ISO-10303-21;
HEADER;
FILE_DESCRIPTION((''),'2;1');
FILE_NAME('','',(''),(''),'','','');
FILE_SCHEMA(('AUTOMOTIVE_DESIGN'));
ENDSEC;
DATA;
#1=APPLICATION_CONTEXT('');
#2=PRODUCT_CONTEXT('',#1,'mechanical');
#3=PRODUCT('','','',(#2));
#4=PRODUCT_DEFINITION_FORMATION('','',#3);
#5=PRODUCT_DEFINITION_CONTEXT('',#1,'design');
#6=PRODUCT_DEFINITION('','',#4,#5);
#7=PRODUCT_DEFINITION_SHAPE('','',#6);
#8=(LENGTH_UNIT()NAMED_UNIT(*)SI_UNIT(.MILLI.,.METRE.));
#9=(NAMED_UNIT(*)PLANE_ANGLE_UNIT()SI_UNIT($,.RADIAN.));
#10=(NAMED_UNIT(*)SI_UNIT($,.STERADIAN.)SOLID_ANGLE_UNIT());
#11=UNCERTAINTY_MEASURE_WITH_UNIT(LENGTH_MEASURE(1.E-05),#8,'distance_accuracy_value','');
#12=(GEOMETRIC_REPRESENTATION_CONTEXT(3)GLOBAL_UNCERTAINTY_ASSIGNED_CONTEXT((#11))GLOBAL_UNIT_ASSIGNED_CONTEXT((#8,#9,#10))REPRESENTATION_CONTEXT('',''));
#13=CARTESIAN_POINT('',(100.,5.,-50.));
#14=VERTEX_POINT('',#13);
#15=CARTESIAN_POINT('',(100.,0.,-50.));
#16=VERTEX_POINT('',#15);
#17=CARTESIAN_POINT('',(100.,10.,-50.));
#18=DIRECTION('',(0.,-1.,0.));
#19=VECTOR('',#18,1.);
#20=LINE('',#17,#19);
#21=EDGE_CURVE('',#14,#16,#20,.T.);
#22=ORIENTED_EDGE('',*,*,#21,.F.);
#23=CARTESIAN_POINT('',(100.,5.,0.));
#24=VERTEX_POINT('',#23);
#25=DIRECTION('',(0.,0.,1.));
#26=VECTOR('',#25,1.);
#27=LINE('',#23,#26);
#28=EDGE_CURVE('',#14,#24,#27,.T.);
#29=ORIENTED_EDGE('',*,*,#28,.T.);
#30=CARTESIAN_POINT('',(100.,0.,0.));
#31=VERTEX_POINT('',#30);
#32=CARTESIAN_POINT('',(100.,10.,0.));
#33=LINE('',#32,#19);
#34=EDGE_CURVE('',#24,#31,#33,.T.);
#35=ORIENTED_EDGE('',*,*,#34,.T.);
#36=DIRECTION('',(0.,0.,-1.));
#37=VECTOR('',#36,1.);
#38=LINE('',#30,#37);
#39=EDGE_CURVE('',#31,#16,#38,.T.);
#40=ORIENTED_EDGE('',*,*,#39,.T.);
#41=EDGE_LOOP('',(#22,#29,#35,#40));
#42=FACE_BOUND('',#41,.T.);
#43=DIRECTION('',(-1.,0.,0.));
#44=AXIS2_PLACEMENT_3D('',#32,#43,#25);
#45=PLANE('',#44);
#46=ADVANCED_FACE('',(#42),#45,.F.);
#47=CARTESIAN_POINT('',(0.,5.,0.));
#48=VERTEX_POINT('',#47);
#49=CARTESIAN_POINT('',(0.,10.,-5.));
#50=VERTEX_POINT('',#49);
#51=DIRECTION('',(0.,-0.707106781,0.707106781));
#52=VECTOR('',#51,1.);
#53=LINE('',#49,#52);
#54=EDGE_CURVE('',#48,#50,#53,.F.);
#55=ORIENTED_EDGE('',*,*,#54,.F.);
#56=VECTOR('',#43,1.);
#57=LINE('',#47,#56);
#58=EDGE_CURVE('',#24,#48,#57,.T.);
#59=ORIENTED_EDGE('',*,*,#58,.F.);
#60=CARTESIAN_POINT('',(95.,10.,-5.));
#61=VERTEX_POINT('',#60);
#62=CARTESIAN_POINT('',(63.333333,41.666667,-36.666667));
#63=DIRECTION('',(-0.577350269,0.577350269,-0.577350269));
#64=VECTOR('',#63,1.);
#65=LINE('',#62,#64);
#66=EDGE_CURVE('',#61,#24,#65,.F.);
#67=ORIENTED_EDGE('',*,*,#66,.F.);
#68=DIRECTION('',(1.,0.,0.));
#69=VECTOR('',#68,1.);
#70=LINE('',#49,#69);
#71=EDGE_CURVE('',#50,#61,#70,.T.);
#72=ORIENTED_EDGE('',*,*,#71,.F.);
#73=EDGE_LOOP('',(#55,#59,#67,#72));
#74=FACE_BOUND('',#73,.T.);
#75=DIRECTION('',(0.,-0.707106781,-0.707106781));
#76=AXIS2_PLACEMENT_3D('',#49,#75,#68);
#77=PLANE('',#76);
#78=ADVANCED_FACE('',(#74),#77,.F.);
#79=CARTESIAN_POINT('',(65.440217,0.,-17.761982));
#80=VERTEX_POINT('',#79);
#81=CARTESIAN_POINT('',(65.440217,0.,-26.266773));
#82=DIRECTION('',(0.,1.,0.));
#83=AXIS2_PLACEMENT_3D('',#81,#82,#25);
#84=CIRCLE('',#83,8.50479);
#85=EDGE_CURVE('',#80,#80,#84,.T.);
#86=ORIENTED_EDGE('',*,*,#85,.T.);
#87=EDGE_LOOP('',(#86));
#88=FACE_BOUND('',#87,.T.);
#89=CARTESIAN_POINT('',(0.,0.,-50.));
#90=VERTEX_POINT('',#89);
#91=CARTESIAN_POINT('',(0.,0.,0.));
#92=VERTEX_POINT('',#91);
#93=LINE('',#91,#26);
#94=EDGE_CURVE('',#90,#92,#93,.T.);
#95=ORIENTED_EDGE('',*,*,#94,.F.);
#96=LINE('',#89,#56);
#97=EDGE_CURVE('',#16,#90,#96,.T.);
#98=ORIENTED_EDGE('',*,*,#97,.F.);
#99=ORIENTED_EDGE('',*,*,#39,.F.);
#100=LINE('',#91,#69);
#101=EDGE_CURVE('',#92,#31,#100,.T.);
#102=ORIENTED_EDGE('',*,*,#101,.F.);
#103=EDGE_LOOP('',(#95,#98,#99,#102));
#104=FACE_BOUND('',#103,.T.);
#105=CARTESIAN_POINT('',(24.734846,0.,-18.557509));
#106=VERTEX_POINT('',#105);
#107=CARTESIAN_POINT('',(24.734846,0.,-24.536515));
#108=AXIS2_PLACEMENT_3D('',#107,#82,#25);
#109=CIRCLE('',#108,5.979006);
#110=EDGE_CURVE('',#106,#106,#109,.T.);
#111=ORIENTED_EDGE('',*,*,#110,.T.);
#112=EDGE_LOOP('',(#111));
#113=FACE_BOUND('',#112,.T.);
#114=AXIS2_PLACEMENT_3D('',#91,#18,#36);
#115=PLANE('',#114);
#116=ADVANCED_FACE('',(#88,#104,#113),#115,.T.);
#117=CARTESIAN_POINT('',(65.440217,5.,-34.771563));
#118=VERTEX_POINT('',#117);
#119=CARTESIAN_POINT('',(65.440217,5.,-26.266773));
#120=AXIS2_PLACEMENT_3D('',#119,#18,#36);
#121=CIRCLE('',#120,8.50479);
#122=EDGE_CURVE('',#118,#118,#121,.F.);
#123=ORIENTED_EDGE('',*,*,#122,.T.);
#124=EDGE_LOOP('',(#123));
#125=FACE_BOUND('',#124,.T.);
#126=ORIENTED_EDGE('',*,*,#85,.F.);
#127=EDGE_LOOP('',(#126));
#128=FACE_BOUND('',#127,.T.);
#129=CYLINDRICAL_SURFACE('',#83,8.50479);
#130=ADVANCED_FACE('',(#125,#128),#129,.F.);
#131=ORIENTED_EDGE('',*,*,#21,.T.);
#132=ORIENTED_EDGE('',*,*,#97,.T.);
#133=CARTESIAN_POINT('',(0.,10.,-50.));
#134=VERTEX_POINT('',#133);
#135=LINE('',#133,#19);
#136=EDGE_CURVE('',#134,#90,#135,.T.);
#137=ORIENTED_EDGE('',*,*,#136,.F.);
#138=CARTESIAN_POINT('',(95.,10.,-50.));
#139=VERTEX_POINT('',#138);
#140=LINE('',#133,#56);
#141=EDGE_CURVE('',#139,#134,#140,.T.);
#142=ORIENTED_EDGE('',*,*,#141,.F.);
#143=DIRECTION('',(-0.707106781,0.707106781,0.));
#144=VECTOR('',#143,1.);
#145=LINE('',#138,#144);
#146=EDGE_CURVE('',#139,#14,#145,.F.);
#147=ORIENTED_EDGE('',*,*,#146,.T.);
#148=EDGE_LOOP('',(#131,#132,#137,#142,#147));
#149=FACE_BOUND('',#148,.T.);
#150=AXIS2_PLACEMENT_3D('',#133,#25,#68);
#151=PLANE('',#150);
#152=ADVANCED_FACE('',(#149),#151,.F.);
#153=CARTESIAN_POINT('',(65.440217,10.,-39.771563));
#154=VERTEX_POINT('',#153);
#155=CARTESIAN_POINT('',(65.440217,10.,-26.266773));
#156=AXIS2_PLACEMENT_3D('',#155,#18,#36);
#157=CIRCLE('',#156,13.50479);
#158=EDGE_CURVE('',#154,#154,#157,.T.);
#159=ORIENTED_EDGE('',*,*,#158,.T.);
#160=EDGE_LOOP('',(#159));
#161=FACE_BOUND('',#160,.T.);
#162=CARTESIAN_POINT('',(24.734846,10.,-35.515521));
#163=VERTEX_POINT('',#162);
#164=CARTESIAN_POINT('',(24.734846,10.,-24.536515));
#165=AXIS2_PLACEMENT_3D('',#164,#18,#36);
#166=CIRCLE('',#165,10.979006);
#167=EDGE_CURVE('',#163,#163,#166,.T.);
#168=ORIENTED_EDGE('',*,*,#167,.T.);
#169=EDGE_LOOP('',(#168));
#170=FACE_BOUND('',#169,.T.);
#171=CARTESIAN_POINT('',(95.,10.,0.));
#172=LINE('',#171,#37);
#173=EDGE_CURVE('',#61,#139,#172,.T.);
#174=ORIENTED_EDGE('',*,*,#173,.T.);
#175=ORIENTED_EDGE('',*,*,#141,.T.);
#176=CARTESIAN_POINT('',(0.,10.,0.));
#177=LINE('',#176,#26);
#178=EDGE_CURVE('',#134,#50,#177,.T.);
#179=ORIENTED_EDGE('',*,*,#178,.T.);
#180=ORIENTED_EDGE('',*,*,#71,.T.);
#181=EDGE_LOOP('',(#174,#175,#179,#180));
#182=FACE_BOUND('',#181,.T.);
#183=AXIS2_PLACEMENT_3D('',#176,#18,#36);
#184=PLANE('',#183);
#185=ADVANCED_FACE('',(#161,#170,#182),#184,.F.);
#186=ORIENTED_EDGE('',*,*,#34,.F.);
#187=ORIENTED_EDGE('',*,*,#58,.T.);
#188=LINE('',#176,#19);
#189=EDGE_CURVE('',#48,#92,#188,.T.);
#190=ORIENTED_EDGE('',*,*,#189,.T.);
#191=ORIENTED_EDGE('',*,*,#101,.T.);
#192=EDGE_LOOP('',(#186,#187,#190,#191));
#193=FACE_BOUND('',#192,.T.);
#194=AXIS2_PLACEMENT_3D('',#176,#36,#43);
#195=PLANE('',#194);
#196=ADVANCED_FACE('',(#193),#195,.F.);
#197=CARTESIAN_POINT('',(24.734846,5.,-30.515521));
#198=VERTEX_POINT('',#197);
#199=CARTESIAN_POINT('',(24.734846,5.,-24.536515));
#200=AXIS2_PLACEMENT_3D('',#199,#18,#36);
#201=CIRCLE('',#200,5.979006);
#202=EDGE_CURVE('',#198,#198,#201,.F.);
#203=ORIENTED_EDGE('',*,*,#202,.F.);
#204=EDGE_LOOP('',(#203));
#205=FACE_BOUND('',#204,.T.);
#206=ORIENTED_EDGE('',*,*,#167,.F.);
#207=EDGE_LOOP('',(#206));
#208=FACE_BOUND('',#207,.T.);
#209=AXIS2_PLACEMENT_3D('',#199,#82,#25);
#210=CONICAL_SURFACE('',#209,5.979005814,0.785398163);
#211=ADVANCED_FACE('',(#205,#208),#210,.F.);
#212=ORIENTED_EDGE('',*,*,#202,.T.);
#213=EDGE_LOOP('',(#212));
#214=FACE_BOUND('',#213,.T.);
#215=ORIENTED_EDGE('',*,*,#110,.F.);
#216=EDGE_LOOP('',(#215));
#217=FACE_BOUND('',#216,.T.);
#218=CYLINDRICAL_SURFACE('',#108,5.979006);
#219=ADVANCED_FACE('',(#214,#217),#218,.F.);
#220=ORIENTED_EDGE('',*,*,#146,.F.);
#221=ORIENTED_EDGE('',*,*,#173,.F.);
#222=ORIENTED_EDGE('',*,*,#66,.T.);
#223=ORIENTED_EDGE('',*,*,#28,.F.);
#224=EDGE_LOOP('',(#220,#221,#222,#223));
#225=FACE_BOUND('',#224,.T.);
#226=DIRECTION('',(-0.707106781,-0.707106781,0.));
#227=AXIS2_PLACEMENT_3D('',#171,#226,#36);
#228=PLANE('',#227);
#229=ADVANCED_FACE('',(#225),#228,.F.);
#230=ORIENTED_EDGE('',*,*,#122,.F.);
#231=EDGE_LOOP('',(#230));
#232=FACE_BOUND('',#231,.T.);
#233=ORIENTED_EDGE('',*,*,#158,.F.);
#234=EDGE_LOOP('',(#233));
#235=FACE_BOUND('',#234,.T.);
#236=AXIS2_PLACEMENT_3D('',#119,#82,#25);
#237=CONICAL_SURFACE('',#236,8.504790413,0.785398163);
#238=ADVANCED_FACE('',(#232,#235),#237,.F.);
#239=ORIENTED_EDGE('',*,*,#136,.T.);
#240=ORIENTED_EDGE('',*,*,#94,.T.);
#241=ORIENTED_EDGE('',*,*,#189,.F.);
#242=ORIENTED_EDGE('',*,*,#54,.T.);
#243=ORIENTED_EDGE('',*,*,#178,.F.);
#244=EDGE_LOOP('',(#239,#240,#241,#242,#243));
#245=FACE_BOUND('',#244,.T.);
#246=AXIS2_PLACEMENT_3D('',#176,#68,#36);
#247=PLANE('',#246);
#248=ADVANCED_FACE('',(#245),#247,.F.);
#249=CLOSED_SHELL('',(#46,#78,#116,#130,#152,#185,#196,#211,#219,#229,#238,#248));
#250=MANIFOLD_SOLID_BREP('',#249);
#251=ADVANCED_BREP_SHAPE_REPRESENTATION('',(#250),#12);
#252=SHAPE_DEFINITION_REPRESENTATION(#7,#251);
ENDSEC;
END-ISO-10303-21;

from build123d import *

# Parameters (mm, degrees)
SKIZZE1_W                       = 100
SKIZZE1_H                       = 50
AUFSATZ_LINEAR_AUSTRAGEN1_DEPTH = 10
SKIZZE2_R                       = 5.979005814
SCHNITT_LINEAR_AUSTRAGEN1_DEPTH = 11
FASE1_SIZE                      = 5
SKIZZE3_R                       = 8.504790413
SCHNITT_MIT_EXTRA_FASE_DEPTH    = 11
FASE2_SIZE                      = 5


with BuildPart() as part:
    # Skizze1 → Aufsatz-Linear austragen1 (new body)
    with BuildSketch(Plane(origin=(0, 0, 0), x_dir=(1, 0, 0), z_dir=(0, 1, 0))):
        with Locations((50, 25)):
            Rectangle(SKIZZE1_W, SKIZZE1_H)
    extrude(amount=AUFSATZ_LINEAR_AUSTRAGEN1_DEPTH)

    # Skizze2 → Schnitt-Linear austragen1 (cut, through all)
    with BuildSketch(Plane(origin=(0, 10, 0), x_dir=(1, 0, 0), z_dir=(0, 1, 0))):
        with Locations(Location((24.734846156, 24.536515152, 0), (0, 0, 270))):  # turned: the seam where the file's is
            Circle(SKIZZE2_R)
    extrude(amount=-SCHNITT_LINEAR_AUSTRAGEN1_DEPTH, mode=Mode.SUBTRACT)

    # Fase1
    fase1_edges = [part.edges().sort_by_distance(p)[0] for p in [
        (100, 10, -25),
        (24.734846156, 10, -30.515520966),
        (50, 10, 0),
    ]]
    chamfer(fase1_edges, length=FASE1_SIZE)

    # Skizze3 → Schnitt mit extra Fase (cut, through all)
    with BuildSketch(Plane(origin=(0, 10, 0), x_dir=(1, 0, 0), z_dir=(0, 1, 0))):
        with Locations(Location((65.440217499, 26.266772753, 0), (0, 0, 270))):  # turned: the seam where the file's is
            Circle(SKIZZE3_R)
    extrude(amount=-SCHNITT_MIT_EXTRA_FASE_DEPTH, mode=Mode.SUBTRACT)

    # Fase2
    fase2_edges = [part.edges().sort_by_distance(p)[0] for p in [
        (65.440217499, 10, -34.771563166),
    ]]
    chamfer(fase2_edges, length=FASE2_SIZE)


solid = part.part
